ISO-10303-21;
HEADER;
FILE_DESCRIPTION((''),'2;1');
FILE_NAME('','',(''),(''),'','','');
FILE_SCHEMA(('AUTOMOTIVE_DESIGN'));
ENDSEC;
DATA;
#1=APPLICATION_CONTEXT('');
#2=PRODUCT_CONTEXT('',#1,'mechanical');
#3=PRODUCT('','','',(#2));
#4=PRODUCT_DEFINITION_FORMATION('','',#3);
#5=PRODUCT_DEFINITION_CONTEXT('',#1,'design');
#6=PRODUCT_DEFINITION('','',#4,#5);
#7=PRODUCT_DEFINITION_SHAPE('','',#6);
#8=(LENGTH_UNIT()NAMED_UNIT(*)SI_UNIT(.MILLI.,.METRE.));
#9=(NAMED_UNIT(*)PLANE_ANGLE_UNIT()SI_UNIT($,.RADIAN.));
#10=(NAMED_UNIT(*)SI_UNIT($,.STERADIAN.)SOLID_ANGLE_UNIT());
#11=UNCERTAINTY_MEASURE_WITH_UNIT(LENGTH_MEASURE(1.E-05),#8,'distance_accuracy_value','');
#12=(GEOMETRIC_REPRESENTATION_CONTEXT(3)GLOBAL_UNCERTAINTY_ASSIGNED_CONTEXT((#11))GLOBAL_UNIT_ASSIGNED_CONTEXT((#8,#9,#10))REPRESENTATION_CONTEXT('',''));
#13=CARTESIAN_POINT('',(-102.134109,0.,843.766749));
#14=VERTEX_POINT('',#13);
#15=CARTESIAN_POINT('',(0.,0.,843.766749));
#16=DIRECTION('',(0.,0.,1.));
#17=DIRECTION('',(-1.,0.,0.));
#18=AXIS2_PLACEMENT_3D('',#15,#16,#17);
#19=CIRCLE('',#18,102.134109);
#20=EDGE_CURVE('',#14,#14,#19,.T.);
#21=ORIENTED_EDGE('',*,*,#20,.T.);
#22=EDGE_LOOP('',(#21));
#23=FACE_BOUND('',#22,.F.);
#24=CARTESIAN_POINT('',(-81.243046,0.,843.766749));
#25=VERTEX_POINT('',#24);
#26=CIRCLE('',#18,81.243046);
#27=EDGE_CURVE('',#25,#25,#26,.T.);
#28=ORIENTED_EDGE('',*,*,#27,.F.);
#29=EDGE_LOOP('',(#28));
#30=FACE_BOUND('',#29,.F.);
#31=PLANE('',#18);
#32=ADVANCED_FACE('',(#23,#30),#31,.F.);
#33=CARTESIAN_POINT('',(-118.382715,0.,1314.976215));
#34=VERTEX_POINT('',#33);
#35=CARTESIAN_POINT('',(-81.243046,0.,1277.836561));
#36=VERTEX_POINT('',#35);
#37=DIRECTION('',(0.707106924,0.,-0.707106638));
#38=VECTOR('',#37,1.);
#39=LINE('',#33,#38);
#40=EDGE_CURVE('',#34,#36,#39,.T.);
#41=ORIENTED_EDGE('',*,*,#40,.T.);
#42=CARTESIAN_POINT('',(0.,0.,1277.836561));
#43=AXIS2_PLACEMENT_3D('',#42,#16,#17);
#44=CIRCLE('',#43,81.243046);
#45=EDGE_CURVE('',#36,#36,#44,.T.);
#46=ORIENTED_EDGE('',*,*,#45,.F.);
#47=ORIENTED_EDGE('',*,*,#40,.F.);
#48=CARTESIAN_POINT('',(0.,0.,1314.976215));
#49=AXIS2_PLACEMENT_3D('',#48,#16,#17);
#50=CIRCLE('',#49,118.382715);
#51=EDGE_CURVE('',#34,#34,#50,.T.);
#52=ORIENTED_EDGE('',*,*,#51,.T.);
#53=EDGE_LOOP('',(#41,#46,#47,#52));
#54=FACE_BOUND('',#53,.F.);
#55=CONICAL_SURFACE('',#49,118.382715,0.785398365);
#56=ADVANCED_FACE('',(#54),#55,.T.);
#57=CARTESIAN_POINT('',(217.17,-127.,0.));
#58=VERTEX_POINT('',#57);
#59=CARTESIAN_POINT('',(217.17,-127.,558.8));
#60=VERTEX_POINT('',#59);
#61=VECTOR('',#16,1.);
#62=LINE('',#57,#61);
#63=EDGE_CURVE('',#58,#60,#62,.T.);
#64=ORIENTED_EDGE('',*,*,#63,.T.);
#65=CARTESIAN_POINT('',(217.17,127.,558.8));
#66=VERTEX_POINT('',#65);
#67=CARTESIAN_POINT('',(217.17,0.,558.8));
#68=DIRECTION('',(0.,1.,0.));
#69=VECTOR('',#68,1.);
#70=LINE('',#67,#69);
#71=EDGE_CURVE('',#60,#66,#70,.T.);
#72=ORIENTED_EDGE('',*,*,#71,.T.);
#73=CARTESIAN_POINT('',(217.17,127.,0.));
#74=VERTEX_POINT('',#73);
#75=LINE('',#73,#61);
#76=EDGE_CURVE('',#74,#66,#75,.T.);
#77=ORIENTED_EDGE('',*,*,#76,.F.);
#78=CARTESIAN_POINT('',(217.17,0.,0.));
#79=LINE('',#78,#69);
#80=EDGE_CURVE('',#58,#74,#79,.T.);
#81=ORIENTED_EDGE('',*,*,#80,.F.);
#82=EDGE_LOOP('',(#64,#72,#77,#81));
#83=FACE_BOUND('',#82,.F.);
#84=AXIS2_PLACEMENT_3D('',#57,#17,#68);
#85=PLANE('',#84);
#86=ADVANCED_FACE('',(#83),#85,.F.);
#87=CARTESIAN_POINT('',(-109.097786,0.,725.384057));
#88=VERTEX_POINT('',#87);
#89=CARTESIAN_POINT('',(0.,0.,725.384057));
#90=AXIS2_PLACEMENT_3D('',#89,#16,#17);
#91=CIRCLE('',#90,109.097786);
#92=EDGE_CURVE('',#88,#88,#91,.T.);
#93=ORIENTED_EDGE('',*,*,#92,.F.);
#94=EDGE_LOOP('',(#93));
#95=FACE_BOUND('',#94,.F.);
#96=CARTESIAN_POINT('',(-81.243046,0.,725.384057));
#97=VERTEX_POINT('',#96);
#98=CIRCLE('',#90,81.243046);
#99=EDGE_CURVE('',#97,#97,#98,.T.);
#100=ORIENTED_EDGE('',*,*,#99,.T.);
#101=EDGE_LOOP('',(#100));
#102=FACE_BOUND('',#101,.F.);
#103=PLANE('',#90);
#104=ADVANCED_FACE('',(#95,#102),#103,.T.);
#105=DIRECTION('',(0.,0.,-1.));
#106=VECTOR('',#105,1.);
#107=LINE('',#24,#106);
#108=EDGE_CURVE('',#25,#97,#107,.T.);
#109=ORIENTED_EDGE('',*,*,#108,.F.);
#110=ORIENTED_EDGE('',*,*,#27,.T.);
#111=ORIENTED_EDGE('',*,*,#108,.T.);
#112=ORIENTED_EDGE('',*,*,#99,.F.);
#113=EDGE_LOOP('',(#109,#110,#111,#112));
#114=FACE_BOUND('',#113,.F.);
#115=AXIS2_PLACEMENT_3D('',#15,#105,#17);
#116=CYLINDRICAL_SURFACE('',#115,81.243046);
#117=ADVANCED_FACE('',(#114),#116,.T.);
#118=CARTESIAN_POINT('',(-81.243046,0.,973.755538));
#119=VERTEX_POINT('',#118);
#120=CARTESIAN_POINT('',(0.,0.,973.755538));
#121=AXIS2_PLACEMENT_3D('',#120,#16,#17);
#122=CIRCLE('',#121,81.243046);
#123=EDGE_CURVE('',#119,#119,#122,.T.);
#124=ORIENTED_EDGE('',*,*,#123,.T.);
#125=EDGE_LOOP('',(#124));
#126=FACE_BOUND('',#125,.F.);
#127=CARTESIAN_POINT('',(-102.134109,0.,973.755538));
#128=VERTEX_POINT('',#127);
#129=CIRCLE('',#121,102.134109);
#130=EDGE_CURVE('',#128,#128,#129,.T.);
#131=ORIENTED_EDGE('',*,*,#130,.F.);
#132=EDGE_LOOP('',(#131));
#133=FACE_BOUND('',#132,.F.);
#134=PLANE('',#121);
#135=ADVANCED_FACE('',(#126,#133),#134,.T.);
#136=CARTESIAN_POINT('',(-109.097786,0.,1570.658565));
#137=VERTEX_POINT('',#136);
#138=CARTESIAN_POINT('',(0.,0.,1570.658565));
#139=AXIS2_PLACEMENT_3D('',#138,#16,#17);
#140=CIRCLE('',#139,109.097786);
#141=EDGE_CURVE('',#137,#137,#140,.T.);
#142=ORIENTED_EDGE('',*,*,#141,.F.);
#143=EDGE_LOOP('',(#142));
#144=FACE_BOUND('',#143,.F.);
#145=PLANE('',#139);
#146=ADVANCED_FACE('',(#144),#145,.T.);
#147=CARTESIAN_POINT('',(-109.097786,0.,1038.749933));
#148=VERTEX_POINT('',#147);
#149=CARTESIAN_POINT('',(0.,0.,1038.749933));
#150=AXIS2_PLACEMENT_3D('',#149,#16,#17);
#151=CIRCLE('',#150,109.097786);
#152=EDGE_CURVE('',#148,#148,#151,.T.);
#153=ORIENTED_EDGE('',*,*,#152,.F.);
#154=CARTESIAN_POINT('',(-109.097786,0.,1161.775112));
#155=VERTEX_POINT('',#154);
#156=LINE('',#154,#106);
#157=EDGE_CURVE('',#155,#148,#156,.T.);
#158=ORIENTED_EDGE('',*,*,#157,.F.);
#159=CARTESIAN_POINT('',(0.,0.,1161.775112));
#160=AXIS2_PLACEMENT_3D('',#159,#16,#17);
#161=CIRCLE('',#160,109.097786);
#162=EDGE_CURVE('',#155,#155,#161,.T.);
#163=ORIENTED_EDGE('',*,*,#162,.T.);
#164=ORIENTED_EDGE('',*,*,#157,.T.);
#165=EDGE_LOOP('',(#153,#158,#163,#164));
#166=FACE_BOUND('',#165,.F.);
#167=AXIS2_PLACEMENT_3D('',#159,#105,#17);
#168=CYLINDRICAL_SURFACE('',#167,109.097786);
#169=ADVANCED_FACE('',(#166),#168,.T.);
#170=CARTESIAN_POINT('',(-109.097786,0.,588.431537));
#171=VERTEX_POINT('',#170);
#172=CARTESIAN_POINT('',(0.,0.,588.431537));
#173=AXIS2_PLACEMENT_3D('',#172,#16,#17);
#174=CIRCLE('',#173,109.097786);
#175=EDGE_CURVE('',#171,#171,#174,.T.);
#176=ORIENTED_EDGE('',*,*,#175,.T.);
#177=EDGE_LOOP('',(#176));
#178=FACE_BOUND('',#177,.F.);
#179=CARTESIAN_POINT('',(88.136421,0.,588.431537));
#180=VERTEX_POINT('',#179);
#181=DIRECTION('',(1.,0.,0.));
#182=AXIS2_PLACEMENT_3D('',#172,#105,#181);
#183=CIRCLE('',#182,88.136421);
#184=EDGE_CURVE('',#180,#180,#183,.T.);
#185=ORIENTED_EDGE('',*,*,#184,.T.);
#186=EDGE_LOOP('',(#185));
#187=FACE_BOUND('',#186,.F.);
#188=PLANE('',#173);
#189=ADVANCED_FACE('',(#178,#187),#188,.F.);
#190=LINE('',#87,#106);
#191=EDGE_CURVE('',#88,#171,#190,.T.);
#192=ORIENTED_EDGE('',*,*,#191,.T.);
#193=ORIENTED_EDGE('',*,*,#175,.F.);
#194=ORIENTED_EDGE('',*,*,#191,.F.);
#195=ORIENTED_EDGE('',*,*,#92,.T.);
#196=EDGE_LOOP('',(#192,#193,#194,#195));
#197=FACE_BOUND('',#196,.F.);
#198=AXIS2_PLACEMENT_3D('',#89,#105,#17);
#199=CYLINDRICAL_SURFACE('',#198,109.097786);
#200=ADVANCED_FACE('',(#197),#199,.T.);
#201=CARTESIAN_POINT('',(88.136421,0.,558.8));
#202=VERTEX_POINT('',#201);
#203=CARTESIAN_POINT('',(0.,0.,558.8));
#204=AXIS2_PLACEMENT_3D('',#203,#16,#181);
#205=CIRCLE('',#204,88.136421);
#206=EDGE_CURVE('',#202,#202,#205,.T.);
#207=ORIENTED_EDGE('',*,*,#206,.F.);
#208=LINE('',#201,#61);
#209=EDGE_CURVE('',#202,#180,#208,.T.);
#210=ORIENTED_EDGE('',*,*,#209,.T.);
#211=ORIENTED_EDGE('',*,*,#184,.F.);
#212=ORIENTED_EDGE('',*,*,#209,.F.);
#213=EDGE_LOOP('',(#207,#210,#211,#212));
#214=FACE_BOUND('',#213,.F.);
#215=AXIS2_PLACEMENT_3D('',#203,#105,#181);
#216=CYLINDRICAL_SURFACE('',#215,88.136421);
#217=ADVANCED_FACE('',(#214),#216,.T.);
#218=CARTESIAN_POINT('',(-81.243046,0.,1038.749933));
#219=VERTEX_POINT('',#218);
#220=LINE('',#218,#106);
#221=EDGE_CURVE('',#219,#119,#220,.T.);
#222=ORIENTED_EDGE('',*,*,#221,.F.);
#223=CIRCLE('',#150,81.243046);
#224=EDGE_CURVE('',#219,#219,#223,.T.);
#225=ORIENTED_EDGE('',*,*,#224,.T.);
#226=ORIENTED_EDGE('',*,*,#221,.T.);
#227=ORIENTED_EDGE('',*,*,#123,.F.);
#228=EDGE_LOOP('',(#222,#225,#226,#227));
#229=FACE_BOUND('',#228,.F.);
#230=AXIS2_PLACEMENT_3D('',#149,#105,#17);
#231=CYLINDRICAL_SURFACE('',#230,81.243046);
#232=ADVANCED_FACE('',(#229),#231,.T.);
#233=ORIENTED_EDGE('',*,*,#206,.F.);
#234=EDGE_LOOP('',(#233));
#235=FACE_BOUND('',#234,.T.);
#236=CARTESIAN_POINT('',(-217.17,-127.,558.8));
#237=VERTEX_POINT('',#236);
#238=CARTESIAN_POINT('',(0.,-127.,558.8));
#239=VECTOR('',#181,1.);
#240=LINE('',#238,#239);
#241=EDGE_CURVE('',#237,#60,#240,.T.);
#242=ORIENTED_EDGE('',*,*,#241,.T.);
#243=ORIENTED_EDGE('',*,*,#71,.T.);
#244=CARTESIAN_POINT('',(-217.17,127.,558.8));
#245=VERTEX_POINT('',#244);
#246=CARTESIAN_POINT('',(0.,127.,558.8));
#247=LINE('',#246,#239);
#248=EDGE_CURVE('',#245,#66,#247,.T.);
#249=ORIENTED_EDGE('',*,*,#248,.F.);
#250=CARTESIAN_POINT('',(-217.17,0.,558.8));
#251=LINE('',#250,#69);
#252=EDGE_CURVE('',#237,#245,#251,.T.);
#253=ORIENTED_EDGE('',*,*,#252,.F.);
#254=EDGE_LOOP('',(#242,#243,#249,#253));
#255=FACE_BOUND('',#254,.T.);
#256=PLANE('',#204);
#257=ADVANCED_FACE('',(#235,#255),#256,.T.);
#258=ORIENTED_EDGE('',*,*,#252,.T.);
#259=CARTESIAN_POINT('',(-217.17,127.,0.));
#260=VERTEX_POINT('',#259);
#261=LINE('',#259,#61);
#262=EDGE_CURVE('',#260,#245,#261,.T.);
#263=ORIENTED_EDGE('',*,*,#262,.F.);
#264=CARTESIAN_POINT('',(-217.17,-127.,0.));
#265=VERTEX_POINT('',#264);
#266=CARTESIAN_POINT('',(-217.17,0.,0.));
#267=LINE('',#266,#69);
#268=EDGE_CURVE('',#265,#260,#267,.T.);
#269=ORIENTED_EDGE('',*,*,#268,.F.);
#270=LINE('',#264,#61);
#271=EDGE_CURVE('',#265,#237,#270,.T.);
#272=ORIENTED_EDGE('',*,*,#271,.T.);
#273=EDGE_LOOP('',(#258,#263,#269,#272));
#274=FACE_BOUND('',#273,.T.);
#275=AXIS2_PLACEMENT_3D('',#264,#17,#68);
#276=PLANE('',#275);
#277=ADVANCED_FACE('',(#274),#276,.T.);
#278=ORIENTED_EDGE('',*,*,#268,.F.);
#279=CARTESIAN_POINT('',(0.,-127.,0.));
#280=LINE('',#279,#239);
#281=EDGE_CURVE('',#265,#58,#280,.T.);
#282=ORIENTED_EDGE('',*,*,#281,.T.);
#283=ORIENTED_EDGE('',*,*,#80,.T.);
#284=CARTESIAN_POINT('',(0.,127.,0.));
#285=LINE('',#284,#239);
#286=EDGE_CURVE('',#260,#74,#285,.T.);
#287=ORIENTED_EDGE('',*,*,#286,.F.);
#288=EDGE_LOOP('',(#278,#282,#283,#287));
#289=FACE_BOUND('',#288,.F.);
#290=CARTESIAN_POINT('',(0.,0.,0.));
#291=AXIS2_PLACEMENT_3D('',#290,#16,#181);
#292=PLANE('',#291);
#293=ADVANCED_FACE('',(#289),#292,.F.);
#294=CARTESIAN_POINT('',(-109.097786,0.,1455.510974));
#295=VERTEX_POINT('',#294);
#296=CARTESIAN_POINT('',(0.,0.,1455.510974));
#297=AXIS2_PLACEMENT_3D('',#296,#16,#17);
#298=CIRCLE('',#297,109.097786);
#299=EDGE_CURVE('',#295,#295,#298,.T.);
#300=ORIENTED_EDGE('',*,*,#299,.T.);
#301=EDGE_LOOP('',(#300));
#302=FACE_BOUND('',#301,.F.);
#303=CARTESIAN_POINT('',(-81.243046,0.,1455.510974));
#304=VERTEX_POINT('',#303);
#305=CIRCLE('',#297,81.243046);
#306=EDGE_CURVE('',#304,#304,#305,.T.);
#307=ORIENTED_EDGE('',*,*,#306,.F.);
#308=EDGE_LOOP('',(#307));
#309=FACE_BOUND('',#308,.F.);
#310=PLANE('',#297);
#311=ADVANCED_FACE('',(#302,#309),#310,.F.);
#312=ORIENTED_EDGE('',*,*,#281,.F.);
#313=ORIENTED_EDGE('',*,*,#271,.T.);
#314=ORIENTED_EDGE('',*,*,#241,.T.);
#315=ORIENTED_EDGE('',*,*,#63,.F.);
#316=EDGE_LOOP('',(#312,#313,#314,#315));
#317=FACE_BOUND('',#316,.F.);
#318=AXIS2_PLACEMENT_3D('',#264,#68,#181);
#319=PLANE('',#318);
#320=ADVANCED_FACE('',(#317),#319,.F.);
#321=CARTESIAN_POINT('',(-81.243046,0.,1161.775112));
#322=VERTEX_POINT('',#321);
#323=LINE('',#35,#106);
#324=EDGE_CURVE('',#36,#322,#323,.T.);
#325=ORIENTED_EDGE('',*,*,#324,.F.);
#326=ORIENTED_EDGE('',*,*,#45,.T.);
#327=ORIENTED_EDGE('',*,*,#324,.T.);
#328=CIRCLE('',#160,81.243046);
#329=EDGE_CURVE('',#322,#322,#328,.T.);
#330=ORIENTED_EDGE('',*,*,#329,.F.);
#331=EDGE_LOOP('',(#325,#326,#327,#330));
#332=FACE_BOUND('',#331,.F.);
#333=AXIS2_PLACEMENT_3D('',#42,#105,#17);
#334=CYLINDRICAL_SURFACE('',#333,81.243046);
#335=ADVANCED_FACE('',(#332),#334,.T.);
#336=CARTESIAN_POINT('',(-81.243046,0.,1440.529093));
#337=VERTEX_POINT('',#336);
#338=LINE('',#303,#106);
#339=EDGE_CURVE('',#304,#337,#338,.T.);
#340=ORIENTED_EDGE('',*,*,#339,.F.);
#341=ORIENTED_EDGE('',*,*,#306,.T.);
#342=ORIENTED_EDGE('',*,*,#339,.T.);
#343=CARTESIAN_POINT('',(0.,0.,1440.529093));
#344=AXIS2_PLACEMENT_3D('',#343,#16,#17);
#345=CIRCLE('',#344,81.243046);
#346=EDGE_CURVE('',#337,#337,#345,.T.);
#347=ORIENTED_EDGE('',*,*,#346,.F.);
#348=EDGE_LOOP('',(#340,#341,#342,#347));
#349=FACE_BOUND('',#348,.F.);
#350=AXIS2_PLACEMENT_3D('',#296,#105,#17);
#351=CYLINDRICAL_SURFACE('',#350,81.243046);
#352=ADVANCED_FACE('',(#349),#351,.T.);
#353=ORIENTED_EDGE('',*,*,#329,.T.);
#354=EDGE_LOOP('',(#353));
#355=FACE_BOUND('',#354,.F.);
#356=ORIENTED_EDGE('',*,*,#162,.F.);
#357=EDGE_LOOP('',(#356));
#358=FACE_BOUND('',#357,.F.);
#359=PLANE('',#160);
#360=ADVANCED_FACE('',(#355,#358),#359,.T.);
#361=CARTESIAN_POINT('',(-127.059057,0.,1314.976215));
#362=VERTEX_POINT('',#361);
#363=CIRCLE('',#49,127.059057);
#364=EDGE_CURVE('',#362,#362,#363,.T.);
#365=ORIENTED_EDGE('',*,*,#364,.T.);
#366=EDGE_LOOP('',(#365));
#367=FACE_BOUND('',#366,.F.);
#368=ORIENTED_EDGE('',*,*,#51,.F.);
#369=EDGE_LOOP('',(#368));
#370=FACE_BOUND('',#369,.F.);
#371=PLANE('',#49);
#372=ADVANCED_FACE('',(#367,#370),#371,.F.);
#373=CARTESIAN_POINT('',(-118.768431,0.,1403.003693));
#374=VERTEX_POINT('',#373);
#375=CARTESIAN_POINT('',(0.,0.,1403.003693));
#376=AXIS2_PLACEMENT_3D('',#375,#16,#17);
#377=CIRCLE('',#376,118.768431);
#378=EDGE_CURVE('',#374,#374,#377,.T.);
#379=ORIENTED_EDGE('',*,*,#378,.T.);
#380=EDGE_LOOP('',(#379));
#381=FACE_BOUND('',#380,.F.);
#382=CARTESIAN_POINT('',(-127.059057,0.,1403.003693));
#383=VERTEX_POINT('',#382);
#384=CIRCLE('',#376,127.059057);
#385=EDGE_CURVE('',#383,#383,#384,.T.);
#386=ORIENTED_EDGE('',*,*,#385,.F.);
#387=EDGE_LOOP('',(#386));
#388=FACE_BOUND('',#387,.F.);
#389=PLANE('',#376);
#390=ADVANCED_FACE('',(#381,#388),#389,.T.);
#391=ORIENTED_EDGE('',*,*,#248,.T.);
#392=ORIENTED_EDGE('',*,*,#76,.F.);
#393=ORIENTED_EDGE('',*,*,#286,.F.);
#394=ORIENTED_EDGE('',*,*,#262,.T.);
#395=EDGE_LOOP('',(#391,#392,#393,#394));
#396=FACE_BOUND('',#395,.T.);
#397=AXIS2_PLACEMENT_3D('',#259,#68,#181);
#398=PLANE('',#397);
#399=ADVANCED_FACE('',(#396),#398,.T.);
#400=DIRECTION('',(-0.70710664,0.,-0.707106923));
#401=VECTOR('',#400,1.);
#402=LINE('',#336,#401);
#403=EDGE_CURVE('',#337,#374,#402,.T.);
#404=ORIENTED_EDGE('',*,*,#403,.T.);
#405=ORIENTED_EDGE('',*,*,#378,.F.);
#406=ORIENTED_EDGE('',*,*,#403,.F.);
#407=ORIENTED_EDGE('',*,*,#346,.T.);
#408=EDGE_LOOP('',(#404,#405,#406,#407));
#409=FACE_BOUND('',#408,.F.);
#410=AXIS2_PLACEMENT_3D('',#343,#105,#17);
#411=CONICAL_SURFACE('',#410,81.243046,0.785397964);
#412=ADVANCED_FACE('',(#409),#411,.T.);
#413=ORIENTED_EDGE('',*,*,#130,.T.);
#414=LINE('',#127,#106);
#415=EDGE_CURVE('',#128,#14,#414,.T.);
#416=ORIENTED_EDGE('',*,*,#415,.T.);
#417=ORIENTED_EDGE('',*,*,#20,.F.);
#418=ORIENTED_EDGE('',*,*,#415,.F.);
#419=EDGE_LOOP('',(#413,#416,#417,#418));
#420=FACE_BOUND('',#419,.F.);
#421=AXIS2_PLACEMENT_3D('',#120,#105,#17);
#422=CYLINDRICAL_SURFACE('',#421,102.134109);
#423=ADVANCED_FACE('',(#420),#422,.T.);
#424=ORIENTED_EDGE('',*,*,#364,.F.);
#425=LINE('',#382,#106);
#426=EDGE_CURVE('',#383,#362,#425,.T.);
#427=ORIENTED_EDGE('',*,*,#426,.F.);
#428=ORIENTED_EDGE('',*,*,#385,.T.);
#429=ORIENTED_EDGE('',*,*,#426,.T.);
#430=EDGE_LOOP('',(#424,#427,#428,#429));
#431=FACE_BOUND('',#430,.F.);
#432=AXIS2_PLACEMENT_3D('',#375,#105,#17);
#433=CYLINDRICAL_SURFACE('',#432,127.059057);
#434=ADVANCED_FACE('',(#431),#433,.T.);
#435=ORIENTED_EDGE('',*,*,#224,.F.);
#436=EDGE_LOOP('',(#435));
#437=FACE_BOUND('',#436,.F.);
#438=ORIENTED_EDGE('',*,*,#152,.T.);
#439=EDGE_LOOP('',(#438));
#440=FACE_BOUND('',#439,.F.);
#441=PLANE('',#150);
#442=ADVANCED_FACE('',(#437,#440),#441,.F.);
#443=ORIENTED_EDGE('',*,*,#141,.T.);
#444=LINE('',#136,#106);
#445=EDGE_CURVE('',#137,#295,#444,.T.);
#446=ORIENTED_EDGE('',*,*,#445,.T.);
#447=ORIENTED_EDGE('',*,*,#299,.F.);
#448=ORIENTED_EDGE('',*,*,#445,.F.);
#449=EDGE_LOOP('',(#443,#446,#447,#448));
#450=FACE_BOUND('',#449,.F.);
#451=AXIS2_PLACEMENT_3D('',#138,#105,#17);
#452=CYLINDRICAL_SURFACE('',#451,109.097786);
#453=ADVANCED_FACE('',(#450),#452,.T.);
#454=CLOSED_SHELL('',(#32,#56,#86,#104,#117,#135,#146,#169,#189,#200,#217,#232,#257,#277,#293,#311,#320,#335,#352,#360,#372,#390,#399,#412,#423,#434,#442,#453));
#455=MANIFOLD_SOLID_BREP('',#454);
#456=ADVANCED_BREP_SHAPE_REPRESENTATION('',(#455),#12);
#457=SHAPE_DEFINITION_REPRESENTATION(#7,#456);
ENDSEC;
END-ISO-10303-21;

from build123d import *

# Parameters (mm, degrees)
F0_W     = 434.34
F0_H     = 254
F1_DEPTH = 558.8
F2_R     = 88.136421
F3_DEPTH = 76.2


with BuildPart() as f1:
    # F0 (on Top) → F1 (new body)
    with BuildSketch(Plane.XY):
        Rectangle(F0_W, F0_H)
    extrude(amount=F1_DEPTH)

    # F2 (on face) → F3 (join)
    with BuildSketch(Plane.XY.offset(558.8)):
        Circle(F2_R)
    extrude(amount=F3_DEPTH)

    # F4 (on Front) → F5 (revolve)
    with BuildSketch(Plane.XZ):
        Polygon((-109.097786, 588.431537), (0, 588.431537), (0, 725.384057), (0, 843.766749), (0, 1038.749933), (0, 1161.775112), (0, 1570.658565), (-109.097786, 1570.658565), (-109.097786, 1455.510974), (-81.243046, 1455.510974), (-81.243046, 1440.529093), (-118.768431, 1403.003693), (-127.059057, 1403.003693), (-127.059057, 1314.976215), (-118.382715, 1314.976215), (-81.243046, 1277.836561), (-81.243046, 1161.775112), (-109.097786, 1161.775112), (-109.097786, 1038.749933), (-81.243046, 1038.749933), (-81.243046, 973.755538), (-102.134109, 973.755538), (-102.134109, 843.766749), (-81.243046, 843.766749), (-81.243046, 725.384057), (-109.097786, 725.384057), align=None)
    revolve(axis=Axis((0, 0, 1635.457158), (0, 0, 1)))


solid = f1.part
